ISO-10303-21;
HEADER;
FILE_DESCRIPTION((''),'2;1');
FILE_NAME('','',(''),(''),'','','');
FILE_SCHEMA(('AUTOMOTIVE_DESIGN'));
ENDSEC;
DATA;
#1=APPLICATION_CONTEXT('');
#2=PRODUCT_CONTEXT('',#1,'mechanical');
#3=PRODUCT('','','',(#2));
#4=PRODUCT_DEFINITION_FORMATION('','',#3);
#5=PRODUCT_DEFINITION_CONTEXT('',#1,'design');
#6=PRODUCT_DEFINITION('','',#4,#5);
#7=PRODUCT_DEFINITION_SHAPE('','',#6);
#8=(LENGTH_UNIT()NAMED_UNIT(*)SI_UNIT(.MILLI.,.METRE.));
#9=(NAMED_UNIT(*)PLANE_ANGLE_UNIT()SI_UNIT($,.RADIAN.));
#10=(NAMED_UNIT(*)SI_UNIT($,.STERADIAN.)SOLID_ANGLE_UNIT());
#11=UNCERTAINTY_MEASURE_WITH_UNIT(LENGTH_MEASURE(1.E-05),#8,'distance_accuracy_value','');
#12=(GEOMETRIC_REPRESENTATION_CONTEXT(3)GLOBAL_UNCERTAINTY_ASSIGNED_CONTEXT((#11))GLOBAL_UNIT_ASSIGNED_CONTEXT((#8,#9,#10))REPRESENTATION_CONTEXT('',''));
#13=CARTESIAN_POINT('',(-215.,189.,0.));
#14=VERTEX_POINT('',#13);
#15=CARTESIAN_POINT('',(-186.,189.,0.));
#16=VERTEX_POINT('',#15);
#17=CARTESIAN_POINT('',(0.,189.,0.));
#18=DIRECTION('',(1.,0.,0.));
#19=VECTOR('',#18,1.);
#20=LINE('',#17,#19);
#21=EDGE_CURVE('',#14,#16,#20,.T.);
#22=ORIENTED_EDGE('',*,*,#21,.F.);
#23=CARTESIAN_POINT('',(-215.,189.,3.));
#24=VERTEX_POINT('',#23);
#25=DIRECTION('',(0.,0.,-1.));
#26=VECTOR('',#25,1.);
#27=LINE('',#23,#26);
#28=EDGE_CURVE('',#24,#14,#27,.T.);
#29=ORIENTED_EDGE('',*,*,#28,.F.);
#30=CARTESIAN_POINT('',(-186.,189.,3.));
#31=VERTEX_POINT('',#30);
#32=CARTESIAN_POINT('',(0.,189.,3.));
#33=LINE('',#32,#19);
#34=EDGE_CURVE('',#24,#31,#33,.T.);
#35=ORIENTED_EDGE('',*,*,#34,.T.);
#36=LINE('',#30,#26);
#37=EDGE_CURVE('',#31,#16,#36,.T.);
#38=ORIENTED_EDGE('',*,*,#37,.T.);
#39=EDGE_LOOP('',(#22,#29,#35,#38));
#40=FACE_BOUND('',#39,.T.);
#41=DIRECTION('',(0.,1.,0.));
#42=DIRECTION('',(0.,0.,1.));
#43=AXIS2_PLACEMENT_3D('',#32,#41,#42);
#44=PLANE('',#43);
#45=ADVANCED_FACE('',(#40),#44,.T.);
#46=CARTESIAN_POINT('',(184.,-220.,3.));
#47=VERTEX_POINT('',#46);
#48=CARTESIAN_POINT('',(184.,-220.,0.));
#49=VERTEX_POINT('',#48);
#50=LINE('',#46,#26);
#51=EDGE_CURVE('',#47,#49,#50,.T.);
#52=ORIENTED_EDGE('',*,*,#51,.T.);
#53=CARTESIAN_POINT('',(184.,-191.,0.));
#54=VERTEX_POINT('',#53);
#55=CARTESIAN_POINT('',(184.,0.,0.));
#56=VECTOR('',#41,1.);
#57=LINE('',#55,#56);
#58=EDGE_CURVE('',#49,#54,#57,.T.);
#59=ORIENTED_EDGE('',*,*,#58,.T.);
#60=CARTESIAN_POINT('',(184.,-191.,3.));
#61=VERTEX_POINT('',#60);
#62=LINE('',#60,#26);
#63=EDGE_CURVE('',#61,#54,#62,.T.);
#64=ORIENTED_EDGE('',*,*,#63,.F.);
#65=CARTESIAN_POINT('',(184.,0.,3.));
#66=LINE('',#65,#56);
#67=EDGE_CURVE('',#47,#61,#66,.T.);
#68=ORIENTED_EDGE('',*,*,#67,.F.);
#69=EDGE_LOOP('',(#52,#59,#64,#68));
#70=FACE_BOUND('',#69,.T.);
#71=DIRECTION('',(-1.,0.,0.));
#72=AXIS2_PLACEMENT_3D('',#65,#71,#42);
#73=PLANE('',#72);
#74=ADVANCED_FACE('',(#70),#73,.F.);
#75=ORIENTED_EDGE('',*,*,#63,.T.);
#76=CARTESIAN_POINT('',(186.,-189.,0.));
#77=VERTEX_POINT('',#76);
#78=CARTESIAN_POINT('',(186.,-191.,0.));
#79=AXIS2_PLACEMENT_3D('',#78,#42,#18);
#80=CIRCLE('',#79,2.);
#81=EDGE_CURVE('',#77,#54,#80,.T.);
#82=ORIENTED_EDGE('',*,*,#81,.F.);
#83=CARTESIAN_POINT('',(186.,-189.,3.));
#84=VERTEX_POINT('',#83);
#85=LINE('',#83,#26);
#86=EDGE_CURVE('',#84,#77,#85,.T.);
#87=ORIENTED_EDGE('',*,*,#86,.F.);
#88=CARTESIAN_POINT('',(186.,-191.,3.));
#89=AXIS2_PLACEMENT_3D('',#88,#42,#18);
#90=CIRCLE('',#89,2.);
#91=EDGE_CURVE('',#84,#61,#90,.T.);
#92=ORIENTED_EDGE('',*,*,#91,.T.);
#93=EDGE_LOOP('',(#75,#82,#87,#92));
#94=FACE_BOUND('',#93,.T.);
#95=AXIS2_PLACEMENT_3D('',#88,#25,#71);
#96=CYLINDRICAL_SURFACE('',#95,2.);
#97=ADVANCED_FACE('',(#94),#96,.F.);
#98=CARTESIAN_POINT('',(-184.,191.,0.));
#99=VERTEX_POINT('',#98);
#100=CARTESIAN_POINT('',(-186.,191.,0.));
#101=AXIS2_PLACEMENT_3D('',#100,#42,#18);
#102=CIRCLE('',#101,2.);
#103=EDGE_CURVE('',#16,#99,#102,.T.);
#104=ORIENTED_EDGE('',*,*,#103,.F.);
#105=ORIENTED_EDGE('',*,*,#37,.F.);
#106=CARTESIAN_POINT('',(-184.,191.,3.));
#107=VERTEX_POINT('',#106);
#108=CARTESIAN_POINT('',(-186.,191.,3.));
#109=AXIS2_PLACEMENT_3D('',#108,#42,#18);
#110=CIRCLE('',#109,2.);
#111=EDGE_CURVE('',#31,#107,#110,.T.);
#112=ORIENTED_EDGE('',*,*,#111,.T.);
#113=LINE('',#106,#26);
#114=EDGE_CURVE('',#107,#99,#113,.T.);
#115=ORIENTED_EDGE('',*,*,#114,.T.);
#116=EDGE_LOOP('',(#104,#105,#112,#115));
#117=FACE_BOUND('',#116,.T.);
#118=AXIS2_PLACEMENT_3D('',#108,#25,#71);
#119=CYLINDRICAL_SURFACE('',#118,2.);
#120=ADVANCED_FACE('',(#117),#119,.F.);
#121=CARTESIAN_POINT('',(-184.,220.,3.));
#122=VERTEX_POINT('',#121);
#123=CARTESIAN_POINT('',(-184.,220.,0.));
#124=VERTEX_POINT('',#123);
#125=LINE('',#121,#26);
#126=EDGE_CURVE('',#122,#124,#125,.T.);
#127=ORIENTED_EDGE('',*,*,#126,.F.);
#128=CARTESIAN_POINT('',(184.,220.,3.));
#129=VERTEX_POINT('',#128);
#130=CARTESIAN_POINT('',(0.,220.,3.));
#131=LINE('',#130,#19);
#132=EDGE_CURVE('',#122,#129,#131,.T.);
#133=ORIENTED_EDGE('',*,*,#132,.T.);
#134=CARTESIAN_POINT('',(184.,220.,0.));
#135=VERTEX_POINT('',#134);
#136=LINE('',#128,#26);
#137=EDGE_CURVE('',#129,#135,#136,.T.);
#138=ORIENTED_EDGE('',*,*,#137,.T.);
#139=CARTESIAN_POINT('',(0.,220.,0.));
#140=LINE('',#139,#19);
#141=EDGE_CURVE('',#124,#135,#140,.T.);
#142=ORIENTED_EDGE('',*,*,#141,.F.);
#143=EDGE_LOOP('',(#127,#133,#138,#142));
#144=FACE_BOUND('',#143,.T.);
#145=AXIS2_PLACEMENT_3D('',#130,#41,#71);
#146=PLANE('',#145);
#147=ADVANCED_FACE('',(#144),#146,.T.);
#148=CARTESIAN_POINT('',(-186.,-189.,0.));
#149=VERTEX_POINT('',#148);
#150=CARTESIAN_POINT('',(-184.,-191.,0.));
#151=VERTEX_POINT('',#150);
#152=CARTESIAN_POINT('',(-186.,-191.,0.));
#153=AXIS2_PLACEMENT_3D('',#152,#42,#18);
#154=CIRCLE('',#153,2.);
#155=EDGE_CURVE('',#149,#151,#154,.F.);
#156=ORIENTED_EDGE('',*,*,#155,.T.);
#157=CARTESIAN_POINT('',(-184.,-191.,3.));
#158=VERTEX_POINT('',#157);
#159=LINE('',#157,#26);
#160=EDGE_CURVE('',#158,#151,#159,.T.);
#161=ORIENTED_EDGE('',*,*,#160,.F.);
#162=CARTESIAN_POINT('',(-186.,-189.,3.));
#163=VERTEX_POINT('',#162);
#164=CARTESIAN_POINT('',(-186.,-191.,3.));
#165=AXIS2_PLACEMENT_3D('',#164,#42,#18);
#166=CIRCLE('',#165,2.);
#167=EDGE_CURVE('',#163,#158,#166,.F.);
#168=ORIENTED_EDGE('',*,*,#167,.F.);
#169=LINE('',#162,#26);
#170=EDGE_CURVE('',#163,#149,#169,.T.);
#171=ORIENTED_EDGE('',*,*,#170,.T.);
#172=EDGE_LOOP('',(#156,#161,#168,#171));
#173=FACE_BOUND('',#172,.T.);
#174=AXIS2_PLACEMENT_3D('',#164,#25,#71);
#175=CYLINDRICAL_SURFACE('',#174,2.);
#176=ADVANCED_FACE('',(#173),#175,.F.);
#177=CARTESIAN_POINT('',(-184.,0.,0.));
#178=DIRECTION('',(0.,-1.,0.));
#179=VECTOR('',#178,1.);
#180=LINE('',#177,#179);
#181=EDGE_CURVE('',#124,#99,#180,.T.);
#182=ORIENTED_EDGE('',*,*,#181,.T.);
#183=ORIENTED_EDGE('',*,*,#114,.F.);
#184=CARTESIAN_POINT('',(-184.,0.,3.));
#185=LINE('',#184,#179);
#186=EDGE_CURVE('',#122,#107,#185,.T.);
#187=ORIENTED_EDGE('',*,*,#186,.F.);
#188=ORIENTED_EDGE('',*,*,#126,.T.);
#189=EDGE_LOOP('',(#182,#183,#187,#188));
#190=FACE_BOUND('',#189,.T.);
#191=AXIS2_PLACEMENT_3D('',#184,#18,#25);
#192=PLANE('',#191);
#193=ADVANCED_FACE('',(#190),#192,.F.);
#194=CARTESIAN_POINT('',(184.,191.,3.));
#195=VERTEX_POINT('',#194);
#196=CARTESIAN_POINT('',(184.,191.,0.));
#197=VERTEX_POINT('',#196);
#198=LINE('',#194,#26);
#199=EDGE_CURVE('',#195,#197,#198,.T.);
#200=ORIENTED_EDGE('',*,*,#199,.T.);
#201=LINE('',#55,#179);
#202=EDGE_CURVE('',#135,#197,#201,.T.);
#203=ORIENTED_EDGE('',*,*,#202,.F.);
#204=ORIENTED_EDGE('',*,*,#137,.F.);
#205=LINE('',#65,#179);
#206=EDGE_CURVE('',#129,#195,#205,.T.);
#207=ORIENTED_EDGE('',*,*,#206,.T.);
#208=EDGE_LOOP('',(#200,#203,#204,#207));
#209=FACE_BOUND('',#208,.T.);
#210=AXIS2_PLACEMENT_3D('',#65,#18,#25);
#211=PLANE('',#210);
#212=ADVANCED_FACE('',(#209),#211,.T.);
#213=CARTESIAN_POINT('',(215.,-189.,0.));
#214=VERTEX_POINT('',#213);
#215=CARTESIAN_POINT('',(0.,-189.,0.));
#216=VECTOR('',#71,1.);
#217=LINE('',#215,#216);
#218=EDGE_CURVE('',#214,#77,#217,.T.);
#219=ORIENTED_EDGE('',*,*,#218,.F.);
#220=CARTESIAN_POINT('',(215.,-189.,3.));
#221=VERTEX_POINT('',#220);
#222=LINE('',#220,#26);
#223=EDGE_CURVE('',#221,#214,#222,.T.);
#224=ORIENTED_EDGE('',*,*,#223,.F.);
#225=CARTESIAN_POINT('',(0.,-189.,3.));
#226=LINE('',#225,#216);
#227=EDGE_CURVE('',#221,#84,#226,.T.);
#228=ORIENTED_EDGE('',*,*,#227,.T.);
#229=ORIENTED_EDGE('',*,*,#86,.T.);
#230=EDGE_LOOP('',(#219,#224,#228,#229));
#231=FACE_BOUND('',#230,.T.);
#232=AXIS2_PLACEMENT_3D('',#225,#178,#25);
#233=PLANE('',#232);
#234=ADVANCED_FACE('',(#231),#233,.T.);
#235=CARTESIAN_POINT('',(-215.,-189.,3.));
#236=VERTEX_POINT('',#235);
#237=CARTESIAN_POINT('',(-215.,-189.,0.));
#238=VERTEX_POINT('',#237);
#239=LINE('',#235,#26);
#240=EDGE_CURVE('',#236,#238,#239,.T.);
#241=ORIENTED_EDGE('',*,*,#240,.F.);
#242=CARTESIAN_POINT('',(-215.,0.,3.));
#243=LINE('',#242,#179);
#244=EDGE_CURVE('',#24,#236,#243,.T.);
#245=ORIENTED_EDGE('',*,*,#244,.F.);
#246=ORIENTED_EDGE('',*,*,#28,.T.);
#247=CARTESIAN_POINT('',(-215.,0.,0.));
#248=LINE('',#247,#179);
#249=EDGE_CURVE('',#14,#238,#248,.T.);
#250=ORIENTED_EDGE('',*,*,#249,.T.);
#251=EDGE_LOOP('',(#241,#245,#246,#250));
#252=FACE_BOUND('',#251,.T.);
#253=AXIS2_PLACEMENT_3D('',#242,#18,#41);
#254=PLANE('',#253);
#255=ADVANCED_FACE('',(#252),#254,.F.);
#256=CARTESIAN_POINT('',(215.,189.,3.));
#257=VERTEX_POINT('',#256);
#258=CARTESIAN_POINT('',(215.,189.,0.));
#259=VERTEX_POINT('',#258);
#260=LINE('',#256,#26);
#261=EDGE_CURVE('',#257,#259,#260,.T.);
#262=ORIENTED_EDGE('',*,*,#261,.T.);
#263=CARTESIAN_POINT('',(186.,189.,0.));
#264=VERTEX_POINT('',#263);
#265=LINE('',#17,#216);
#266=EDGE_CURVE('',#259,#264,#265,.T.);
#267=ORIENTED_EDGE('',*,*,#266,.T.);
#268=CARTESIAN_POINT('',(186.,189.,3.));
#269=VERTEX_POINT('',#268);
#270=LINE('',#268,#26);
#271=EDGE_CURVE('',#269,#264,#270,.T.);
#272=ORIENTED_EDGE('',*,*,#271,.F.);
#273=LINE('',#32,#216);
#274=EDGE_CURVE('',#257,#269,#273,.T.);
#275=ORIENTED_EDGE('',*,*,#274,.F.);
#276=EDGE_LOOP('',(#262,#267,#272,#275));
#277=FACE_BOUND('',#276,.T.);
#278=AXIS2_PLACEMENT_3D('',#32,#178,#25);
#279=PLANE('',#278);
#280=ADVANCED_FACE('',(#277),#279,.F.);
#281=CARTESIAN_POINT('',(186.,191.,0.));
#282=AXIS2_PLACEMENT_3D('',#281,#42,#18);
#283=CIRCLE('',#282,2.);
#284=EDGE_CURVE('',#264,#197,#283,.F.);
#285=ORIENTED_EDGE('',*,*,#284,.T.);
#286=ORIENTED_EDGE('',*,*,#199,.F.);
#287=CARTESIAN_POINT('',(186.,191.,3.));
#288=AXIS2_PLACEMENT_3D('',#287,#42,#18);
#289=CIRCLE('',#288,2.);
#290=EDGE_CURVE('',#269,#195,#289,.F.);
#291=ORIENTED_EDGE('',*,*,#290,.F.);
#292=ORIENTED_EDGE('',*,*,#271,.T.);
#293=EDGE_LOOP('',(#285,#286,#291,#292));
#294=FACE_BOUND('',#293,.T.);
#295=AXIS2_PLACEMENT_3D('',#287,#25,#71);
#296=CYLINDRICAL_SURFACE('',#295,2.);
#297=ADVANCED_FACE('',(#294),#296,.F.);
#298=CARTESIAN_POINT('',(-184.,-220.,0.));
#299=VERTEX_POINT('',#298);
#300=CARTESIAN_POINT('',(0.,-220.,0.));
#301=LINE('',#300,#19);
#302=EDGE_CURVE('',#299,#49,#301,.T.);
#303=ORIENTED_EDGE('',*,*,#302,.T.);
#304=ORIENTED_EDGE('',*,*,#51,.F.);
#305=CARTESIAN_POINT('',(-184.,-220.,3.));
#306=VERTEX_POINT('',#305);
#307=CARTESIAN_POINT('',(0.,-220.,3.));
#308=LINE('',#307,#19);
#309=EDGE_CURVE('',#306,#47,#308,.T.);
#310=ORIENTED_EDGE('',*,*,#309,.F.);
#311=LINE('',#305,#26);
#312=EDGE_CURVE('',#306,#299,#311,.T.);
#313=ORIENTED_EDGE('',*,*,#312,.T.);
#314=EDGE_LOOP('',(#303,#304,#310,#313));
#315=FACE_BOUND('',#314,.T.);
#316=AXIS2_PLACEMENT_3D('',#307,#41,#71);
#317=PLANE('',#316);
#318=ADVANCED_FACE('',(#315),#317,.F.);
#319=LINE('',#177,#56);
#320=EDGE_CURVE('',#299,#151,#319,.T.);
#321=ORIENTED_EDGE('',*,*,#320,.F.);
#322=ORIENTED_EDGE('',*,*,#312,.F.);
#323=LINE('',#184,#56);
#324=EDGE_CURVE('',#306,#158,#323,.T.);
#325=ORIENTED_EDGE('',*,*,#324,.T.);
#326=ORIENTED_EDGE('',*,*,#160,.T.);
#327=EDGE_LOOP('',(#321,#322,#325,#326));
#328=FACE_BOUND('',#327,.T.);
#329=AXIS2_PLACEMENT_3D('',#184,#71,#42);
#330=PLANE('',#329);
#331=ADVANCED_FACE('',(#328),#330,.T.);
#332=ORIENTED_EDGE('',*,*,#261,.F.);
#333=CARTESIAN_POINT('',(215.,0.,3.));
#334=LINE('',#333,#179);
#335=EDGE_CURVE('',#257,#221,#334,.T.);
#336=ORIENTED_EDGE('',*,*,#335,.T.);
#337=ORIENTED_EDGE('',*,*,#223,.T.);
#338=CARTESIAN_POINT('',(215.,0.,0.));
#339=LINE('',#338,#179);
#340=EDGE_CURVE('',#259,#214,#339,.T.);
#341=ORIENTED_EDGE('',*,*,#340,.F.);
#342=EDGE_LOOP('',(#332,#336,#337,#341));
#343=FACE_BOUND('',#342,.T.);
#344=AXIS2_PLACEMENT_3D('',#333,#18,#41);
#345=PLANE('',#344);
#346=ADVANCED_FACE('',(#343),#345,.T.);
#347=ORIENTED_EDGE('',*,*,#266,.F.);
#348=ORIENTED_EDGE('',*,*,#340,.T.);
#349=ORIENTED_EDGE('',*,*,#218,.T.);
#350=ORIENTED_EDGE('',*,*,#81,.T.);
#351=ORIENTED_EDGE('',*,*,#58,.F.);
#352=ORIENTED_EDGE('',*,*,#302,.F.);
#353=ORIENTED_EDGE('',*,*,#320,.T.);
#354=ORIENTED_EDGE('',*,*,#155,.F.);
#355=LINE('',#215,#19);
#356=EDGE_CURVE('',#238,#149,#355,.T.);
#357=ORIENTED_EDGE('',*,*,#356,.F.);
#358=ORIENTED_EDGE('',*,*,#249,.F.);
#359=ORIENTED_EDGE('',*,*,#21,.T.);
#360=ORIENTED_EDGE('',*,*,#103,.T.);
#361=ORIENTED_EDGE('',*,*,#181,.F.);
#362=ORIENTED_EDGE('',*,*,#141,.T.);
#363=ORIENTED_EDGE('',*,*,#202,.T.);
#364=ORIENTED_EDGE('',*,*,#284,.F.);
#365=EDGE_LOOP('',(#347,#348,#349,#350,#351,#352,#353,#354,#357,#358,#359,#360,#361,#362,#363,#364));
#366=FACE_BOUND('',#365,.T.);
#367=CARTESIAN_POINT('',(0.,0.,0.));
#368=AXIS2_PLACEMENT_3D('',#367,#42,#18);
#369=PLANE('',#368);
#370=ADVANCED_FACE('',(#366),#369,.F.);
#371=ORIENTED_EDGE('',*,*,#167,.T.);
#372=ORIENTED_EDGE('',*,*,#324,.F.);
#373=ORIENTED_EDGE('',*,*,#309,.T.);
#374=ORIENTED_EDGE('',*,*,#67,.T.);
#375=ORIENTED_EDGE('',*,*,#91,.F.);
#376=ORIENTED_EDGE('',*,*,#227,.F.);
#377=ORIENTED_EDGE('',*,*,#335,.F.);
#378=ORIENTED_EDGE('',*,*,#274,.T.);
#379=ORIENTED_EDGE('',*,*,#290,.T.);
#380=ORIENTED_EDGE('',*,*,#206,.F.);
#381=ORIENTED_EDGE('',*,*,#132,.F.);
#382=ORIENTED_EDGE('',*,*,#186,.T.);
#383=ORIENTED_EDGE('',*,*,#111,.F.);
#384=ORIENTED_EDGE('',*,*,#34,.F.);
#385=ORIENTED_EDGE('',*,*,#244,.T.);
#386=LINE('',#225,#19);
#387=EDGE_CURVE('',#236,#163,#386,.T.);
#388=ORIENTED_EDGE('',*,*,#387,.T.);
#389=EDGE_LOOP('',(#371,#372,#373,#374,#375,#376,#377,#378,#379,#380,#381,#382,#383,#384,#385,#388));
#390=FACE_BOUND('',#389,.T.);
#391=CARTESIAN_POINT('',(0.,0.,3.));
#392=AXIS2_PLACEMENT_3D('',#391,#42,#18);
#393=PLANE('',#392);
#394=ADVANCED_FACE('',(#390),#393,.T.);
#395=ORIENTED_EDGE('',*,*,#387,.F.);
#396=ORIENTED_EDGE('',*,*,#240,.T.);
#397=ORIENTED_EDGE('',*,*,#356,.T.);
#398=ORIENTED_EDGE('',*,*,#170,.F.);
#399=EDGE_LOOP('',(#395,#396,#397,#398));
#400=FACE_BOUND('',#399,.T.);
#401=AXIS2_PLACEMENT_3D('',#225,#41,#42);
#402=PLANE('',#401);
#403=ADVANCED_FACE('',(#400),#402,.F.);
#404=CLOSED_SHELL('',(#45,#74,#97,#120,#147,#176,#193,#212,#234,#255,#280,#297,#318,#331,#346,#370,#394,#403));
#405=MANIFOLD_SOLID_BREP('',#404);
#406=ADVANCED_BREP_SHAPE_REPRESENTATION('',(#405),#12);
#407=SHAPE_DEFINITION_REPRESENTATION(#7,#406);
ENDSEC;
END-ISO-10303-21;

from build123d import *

# Parameters (mm, degrees)
BOSS_EXTRUDE1_DEPTH = 3


with BuildPart() as part:
    # Sketch1 → Boss-Extrude1 (new body)
    with BuildSketch(Plane.XY):
        with BuildLine():
            Line((215, -189), (215, 189))
            Line((215, 189), (186, 189))
            ThreePointArc((186, 189), (184.585786438, 189.585786438), (184, 191))
            Line((184, 191), (184, 220))
            Line((184, 220), (-184, 220))
            Line((-184, 220), (-184, 191))
            ThreePointArc((-184, 191), (-184.585786438, 189.585786438), (-186, 189))
            Line((-186, 189), (-215, 189))
            Line((-215, 189), (-215, -189))
            Line((-215, -189), (-186, -189))
            ThreePointArc((-186, -189), (-184.585786438, -189.585786438), (-184, -191))
            Line((-184, -191), (-184, -220))
            Line((-184, -220), (184, -220))
            Line((184, -220), (184, -191))
            ThreePointArc((184, -191), (184.585786438, -189.585786438), (186, -189))
            Line((186, -189), (215, -189))
        make_face()
    extrude(amount=BOSS_EXTRUDE1_DEPTH)


solid = part.part
